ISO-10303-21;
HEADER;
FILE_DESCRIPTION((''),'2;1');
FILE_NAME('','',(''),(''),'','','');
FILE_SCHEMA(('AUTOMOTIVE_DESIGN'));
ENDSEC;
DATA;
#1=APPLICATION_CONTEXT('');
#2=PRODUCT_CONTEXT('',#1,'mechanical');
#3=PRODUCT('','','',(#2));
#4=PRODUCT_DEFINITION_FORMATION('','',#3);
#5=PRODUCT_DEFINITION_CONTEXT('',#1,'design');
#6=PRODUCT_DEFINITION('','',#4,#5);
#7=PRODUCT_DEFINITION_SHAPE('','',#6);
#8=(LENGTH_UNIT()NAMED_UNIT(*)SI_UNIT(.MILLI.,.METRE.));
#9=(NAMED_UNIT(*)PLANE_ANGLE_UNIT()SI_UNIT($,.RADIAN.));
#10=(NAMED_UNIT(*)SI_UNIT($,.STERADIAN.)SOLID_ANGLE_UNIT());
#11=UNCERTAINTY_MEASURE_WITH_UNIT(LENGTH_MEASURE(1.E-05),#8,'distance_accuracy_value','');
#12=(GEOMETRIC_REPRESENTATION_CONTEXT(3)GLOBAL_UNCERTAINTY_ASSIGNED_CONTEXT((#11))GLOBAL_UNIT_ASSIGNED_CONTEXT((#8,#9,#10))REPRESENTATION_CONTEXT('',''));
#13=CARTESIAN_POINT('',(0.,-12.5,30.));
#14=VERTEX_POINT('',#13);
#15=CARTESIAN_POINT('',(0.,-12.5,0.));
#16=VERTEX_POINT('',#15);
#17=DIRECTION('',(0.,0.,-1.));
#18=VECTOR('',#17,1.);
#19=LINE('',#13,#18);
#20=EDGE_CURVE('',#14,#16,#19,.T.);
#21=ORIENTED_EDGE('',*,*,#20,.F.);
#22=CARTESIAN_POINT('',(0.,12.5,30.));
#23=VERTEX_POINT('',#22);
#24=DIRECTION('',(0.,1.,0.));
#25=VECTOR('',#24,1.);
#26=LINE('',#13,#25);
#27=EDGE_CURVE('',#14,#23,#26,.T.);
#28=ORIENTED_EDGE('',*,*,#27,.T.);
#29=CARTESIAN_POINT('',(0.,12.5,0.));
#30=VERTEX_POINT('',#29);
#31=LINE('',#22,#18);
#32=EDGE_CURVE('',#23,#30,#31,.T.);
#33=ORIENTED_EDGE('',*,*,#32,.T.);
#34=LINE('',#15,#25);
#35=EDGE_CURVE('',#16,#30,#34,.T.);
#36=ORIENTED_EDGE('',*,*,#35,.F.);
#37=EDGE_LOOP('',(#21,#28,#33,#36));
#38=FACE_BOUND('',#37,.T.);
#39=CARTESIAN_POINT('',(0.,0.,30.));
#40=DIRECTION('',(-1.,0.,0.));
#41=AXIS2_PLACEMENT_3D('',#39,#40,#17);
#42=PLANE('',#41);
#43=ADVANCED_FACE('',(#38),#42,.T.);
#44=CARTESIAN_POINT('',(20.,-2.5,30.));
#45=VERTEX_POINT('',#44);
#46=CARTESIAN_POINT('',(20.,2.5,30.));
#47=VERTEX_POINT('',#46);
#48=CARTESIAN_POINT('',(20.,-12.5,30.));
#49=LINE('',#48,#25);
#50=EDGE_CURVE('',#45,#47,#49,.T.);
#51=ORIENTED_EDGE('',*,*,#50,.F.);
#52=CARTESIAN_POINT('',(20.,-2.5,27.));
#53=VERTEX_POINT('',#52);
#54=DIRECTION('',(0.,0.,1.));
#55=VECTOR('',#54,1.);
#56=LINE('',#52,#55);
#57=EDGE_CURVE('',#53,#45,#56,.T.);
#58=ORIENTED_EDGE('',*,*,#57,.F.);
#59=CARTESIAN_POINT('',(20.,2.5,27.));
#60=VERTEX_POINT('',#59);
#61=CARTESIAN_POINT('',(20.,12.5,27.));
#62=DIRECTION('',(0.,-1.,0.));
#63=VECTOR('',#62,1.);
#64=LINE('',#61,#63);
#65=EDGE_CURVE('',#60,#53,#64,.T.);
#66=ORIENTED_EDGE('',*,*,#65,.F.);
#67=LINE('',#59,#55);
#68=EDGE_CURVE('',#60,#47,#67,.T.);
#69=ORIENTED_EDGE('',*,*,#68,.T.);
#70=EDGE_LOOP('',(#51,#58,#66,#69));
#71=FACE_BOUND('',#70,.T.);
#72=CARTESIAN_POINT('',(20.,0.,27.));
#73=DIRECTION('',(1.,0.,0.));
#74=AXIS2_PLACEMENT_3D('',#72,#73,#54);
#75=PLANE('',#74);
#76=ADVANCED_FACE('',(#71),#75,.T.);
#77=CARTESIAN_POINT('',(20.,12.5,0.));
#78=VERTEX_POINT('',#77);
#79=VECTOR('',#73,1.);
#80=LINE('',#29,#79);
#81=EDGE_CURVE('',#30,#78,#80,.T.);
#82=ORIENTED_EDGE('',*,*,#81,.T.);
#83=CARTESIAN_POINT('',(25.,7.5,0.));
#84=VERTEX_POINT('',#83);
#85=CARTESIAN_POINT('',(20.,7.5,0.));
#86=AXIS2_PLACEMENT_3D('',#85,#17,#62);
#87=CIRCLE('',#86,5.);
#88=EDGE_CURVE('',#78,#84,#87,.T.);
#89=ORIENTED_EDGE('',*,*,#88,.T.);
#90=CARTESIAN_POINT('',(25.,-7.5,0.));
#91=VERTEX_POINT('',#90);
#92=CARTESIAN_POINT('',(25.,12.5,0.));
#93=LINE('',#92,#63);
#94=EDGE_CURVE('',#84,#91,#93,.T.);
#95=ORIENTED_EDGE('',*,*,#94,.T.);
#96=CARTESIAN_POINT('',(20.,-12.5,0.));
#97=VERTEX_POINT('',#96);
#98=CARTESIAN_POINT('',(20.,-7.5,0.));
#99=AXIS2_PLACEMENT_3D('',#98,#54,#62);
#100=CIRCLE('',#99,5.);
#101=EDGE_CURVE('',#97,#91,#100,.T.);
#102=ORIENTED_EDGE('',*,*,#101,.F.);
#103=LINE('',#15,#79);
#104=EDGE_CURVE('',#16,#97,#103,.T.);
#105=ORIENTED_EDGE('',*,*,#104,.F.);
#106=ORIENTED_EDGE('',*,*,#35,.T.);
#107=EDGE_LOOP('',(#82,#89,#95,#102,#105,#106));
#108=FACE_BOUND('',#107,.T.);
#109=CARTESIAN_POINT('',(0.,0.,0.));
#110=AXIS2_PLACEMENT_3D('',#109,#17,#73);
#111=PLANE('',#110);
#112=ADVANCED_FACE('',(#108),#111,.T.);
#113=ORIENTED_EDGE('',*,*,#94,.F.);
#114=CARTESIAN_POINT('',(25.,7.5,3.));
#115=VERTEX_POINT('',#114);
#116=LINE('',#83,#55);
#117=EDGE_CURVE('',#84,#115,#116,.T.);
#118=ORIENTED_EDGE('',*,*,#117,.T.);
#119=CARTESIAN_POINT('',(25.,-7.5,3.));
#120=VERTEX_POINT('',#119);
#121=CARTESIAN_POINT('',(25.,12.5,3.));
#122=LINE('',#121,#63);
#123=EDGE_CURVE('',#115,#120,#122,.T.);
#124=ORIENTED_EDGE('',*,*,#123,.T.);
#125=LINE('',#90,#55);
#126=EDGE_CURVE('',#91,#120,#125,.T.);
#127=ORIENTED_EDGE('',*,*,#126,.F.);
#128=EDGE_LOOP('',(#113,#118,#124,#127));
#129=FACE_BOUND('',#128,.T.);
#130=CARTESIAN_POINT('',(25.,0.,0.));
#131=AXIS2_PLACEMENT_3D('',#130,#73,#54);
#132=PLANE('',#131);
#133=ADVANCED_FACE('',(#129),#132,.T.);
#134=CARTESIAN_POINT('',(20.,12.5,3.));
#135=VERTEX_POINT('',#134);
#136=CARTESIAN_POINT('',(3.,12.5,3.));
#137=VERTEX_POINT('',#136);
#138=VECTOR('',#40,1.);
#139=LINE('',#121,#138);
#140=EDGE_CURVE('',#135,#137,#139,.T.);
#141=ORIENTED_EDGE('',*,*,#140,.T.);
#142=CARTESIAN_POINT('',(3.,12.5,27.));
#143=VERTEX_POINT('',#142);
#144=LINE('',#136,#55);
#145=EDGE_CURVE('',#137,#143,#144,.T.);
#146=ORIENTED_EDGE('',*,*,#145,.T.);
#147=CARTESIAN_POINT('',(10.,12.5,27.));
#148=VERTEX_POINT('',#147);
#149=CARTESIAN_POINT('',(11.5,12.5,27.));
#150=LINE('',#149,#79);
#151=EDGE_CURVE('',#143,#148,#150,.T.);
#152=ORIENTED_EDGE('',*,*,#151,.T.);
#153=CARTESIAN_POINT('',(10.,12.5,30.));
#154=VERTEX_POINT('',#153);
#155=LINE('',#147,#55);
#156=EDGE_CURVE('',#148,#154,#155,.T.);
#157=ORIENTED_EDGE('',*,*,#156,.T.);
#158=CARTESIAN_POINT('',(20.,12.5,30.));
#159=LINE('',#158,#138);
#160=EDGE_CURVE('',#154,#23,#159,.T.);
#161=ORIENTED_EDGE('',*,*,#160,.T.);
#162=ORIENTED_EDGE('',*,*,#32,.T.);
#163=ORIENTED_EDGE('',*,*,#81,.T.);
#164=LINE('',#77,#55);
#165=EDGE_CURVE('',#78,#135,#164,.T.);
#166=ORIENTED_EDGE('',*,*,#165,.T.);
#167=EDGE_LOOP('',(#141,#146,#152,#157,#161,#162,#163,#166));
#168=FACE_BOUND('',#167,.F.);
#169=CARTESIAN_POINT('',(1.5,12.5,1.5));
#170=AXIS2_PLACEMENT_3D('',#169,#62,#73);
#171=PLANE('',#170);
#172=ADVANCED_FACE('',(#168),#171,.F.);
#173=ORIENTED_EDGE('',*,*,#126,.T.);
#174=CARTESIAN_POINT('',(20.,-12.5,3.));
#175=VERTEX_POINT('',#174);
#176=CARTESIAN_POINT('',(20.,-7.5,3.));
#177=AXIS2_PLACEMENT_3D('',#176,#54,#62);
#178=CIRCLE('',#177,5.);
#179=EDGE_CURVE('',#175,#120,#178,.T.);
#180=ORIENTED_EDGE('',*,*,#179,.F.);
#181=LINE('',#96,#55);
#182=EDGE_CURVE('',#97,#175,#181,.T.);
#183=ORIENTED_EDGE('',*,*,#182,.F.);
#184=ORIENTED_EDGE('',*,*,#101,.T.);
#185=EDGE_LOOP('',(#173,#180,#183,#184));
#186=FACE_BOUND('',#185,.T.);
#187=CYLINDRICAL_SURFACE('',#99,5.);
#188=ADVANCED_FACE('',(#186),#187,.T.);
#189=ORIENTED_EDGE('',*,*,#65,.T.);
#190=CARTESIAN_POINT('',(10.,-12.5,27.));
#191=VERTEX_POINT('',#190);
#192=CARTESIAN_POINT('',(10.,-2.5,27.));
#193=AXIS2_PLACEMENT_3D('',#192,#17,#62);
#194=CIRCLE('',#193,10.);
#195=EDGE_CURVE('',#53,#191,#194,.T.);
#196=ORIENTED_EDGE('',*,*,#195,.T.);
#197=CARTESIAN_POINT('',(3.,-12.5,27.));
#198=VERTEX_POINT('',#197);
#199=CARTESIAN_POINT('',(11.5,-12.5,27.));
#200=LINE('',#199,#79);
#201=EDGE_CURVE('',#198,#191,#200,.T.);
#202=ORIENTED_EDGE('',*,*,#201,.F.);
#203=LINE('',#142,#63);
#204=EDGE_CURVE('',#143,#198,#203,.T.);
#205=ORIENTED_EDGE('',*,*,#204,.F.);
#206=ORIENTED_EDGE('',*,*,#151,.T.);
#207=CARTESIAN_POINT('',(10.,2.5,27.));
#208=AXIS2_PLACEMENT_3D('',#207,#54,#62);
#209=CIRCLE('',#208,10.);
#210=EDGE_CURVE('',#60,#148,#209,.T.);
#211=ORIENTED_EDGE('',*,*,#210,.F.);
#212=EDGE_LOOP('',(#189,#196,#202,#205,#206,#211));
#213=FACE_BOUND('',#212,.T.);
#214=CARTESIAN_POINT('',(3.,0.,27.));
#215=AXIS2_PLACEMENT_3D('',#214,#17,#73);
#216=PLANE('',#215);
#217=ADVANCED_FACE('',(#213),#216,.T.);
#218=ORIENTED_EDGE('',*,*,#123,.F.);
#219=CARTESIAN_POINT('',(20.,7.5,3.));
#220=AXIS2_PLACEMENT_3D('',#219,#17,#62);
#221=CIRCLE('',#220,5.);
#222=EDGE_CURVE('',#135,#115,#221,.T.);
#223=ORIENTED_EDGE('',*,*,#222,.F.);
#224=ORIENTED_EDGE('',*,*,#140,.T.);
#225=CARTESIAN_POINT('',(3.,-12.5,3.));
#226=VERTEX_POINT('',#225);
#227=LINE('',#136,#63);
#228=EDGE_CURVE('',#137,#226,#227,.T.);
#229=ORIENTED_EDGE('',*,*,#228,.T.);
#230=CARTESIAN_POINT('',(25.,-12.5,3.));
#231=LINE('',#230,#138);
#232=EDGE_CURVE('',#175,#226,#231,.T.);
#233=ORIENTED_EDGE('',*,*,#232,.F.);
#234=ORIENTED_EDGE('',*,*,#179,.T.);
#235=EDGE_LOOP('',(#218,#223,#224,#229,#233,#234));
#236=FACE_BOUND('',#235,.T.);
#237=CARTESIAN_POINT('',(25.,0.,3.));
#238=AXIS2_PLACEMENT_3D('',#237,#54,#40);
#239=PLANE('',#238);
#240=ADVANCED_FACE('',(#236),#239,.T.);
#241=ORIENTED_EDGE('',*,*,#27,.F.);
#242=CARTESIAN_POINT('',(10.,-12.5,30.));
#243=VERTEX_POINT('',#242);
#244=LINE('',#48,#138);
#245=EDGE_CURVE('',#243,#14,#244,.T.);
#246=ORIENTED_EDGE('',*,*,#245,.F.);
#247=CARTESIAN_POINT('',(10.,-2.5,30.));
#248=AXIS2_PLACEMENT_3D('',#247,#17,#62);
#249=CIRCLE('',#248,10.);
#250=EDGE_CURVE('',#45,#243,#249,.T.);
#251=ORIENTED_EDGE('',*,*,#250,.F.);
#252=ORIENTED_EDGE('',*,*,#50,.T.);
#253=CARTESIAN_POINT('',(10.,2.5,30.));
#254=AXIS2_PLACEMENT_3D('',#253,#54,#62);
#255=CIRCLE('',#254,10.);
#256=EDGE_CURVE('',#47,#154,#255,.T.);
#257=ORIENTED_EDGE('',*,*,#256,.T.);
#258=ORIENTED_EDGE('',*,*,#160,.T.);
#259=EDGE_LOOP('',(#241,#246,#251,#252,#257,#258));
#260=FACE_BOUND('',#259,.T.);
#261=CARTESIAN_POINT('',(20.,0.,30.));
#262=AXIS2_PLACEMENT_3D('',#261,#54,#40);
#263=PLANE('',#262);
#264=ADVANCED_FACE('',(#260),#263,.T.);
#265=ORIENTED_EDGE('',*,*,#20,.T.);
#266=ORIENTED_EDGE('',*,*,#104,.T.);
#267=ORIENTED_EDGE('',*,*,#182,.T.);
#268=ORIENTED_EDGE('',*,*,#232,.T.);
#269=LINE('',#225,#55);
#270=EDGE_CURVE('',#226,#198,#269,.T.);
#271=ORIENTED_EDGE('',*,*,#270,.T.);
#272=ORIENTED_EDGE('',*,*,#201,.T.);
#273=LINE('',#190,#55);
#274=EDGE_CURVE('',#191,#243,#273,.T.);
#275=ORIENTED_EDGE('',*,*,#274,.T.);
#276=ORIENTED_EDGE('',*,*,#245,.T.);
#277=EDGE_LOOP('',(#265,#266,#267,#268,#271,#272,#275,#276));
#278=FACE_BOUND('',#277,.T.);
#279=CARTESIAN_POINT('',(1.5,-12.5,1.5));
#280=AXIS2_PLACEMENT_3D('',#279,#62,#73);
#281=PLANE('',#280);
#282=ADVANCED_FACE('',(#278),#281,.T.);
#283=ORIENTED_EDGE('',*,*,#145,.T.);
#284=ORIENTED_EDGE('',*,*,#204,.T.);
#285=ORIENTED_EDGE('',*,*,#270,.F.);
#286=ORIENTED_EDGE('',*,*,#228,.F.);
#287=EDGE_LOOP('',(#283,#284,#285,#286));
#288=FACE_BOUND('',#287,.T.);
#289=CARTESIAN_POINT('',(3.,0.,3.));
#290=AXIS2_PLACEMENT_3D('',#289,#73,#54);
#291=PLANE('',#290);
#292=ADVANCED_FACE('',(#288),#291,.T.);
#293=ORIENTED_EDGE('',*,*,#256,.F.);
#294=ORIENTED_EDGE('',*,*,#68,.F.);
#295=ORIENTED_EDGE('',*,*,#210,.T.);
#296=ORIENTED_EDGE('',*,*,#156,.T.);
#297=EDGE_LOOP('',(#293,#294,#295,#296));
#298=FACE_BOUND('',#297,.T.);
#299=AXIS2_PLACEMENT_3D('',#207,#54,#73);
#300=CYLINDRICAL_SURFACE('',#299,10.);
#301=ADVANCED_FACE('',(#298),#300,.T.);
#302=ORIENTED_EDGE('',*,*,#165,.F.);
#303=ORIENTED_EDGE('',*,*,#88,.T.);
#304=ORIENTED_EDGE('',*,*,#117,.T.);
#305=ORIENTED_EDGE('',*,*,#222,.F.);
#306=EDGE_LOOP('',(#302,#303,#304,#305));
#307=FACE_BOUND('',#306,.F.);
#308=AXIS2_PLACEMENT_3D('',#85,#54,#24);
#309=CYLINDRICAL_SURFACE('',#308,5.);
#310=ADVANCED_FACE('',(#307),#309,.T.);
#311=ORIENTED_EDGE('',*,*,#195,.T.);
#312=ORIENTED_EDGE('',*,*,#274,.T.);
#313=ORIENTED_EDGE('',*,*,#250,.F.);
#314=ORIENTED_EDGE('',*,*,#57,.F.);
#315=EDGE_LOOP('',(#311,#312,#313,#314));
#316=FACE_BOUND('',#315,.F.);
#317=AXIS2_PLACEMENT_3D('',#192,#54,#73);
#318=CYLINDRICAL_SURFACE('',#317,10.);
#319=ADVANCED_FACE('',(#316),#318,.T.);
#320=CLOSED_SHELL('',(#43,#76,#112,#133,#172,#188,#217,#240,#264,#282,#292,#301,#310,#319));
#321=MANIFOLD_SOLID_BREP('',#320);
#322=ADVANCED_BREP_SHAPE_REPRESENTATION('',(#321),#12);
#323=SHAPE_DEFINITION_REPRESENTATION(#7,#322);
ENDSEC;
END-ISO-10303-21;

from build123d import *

# Parameters (mm, degrees)
F0_W     = 3
F0_H     = 3
F0_W_2   = 22
F0_H_2   = 24
F0_W_3   = 17
F1_DEPTH = 12.5
F2_R     = 10
F3_R     = 5


with BuildPart() as f1:
    # F0 (on Front) → F1 (new body, symmetric)
    with BuildSketch(Plane.XZ):
        with Locations((1.5, 1.5)):
            Rectangle(F0_W, F0_H)
        with Locations((14, 1.5)):
            Rectangle(F0_W_2, F0_H)
        with Locations((1.5, 15)):
            Rectangle(F0_W, F0_H_2)
        with Locations((1.5, 28.5)):
            Rectangle(F0_W, F0_H)
        with Locations((11.5, 28.5)):
            Rectangle(F0_W_3, F0_H)
    extrude(amount=F1_DEPTH, both=True)

    # F2
    f2_edges = [f1.edges().sort_by_distance(p)[0] for p in [
        (20, -12.5, 28.5),
        (20, 12.5, 28.5),
    ]]
    fillet(f2_edges, radius=F2_R)

    # F3
    f3_edges = [f1.edges().sort_by_distance(p)[0] for p in [
        (25, -12.5, 1.5),
        (25, 12.5, 1.5),
    ]]
    fillet(f3_edges, radius=F3_R)


solid = f1.part
